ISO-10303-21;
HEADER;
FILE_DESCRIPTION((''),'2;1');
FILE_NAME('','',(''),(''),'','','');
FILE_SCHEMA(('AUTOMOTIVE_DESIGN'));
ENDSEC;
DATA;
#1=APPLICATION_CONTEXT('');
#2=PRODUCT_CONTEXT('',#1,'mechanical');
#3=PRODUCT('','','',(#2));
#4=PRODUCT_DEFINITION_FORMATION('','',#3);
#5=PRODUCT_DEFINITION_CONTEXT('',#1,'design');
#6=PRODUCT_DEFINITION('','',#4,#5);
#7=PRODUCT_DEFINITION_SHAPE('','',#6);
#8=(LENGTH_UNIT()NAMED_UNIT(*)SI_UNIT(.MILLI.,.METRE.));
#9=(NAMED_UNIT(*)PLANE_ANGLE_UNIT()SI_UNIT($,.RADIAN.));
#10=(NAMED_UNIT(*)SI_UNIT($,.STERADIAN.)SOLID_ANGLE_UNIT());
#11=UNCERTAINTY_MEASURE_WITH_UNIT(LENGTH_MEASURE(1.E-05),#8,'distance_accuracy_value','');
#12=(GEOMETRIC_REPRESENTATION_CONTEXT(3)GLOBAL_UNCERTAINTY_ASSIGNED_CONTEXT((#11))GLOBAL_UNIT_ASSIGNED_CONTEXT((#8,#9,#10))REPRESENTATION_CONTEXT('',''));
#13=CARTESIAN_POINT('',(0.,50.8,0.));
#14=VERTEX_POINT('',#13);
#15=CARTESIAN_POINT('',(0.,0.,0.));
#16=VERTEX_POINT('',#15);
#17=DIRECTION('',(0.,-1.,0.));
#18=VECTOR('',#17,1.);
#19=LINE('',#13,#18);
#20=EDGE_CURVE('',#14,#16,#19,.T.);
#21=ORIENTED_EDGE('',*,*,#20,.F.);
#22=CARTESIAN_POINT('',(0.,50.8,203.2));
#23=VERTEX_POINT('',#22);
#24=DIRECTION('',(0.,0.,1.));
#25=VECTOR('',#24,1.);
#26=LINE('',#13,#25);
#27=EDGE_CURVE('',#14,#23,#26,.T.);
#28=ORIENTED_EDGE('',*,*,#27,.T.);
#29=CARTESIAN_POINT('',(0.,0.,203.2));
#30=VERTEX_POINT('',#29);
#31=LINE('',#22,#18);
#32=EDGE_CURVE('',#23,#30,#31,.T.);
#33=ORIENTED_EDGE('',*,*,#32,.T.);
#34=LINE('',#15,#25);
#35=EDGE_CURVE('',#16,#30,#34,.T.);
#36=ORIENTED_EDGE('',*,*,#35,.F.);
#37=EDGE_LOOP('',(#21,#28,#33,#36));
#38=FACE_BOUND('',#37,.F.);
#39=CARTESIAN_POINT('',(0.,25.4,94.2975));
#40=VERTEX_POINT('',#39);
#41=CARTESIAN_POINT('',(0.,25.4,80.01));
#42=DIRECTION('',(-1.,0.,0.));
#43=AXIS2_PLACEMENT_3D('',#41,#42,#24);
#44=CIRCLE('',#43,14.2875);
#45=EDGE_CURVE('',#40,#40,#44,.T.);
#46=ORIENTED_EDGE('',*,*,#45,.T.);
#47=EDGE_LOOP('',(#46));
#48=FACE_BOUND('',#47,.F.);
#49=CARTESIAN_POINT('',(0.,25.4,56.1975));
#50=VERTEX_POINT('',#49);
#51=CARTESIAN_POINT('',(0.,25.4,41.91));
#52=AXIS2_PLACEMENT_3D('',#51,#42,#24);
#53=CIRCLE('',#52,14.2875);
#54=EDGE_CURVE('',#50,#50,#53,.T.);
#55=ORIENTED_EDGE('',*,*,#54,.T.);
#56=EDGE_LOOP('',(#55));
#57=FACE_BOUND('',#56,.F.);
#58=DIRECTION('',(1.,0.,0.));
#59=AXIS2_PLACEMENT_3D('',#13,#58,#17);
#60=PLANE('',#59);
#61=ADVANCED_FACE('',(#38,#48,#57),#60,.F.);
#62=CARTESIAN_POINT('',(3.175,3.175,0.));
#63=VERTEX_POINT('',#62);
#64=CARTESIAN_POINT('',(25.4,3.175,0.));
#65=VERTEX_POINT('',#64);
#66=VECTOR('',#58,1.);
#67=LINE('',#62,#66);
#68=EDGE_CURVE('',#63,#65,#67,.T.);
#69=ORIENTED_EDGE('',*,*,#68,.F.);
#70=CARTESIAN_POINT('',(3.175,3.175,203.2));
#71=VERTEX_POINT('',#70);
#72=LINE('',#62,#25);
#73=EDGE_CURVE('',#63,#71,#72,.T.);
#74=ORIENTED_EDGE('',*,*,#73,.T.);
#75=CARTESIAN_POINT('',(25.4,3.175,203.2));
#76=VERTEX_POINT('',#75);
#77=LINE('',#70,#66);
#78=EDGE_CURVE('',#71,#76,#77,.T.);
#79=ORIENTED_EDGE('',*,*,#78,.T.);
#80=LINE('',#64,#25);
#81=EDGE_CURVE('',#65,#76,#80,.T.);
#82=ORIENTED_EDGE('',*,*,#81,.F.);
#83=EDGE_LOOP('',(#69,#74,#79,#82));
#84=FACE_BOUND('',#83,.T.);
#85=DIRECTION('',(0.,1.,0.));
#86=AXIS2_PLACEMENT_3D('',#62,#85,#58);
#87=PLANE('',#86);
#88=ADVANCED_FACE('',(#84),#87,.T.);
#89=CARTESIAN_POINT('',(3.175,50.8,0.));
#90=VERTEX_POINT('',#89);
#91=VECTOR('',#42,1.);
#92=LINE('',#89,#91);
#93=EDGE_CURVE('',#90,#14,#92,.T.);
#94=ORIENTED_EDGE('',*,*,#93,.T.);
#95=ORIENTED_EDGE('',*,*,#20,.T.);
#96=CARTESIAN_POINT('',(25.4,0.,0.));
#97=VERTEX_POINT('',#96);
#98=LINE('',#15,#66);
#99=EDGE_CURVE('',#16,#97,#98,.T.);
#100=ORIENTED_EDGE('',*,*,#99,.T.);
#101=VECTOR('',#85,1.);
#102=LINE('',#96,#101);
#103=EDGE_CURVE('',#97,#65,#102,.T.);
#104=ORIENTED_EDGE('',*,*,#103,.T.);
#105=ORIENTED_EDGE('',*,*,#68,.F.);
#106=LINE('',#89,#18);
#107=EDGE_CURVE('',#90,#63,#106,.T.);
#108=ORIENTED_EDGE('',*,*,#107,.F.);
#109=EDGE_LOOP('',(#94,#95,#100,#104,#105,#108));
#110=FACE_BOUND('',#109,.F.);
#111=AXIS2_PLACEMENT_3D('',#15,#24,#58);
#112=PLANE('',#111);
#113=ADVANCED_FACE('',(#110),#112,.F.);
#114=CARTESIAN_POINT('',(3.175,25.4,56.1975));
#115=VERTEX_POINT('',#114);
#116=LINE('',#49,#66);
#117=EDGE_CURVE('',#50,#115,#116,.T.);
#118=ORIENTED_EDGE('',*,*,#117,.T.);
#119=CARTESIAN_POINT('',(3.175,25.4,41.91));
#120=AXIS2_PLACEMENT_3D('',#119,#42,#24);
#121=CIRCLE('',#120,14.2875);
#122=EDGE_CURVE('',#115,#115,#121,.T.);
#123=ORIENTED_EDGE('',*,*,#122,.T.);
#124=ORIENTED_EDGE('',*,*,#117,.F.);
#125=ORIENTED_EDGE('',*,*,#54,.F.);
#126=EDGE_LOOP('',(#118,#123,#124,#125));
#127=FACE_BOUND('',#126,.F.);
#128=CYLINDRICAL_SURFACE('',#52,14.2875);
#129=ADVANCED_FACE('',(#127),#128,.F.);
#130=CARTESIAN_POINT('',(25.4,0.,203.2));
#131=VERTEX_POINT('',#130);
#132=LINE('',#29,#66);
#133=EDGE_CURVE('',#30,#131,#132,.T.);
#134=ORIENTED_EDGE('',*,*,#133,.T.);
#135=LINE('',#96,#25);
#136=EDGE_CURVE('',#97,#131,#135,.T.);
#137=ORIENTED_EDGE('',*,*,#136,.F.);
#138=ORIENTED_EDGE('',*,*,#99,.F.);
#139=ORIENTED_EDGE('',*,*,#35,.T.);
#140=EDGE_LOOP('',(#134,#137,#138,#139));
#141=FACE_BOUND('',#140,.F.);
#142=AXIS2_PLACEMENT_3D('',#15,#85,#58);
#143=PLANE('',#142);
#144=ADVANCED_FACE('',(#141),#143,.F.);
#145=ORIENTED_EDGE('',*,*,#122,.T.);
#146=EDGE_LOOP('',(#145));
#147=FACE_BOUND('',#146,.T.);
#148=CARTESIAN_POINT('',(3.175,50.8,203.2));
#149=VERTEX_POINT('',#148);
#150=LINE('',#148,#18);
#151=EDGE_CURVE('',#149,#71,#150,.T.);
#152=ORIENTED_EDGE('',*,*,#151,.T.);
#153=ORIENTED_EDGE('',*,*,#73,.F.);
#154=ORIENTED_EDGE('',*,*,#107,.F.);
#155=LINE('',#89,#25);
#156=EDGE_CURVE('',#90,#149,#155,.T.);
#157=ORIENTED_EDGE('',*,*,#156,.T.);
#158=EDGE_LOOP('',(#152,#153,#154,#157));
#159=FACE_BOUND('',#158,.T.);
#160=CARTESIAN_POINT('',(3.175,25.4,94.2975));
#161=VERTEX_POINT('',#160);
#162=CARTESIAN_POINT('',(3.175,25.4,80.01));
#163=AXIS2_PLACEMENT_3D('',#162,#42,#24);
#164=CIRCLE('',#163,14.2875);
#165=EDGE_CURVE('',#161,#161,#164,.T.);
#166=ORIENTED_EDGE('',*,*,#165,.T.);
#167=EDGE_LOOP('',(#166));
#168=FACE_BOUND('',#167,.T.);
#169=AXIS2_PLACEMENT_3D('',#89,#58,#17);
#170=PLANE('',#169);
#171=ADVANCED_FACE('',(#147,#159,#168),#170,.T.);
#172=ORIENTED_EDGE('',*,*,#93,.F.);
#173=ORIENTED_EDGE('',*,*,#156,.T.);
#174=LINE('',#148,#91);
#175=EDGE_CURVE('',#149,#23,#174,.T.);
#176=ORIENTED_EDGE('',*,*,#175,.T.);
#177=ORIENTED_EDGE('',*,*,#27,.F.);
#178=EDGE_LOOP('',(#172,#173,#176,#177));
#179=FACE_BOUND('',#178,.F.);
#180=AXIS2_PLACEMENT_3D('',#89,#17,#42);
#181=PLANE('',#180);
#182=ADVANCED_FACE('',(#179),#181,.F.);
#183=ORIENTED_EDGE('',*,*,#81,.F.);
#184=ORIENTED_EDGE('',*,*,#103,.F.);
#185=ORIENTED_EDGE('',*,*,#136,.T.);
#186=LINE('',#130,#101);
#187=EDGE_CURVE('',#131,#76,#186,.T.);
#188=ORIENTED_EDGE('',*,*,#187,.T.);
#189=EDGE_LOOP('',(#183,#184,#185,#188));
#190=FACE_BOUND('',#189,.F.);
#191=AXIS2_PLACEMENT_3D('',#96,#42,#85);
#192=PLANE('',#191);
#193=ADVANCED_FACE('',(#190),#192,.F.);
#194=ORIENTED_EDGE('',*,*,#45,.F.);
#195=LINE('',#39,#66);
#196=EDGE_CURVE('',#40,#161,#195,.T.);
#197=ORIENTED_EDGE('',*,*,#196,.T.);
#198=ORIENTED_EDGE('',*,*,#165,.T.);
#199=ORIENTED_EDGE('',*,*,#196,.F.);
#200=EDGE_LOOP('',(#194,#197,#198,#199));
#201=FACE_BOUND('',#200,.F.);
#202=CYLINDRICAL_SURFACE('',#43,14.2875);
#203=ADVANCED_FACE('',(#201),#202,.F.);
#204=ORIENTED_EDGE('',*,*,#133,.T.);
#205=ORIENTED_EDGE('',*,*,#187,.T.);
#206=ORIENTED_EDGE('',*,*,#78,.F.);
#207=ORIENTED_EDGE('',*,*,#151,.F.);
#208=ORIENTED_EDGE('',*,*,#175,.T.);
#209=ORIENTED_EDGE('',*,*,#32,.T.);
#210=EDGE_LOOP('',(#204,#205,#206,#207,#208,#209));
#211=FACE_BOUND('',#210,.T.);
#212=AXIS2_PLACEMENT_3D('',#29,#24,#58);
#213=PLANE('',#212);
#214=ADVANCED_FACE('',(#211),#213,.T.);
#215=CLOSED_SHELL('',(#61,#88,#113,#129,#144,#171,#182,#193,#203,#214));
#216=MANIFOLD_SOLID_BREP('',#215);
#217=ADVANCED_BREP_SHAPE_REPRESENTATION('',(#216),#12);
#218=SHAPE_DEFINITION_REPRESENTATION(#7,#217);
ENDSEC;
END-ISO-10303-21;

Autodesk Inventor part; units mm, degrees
ref_plane "YZ Plane" through (0, 0, 0) normal (1, 0, 0) x (0, 1, 0)
ref_plane "XZ Plane" through (0, 0, 0) normal (0, 1, 0) x (-1, 0, 0)
ref_plane "XY Plane" through (0, 0, 0) normal (0, 0, 1) x (1, 0, 0)
sketch "Sketch1" plane through (0, 0, 0) normal (0, 0, 1) x (1, 0, 0)
  line L0 (0, 0) -> (25.4, 0)
  line L1 (25.4, 0) -> (25.4, 3.175)
  line L2 (3.175, 50.8) -> (0, 50.8)
  line L3 (0, 50.8) -> (0, 0)
  line L4 (3.175, 50.8) -> (3.175, 3.175)
  line L5 (3.175, 3.175) -> (25.4, 3.175)
  dimension "d0" = 50.8
  dimension "d1" = 25.4
  dimension "d2" = 3.175
  dimension "d3" = 3.175
extrude "Extrusion1" add sketch "Sketch1" along normal blind 203.2
sketch "Sketch2" plane through (0, 0, 0) normal (-1, 0, 0) x (0, 0, 1)
  line L0 (0, 50.8) -> (203.2, 50.8) projected
  circle A0 centre (41.91, 25.4) radius 14.2875
  circle A1 centre (80.01, 25.4) radius 14.2875
  line L1 (0, 50.8) -> (0, 0) projected
  dimension "d6" = 28.575
  dimension "d7" = 28.575
  dimension "d8" = 25.4
  dimension "d10" = 38.1
  dimension "d13" = 41.91
extrude "Extrusion2" cut sketch "Sketch2" against normal blind 203.2
equation "\"d6\" = d7"
properties part number "manipulator bearing back left"
